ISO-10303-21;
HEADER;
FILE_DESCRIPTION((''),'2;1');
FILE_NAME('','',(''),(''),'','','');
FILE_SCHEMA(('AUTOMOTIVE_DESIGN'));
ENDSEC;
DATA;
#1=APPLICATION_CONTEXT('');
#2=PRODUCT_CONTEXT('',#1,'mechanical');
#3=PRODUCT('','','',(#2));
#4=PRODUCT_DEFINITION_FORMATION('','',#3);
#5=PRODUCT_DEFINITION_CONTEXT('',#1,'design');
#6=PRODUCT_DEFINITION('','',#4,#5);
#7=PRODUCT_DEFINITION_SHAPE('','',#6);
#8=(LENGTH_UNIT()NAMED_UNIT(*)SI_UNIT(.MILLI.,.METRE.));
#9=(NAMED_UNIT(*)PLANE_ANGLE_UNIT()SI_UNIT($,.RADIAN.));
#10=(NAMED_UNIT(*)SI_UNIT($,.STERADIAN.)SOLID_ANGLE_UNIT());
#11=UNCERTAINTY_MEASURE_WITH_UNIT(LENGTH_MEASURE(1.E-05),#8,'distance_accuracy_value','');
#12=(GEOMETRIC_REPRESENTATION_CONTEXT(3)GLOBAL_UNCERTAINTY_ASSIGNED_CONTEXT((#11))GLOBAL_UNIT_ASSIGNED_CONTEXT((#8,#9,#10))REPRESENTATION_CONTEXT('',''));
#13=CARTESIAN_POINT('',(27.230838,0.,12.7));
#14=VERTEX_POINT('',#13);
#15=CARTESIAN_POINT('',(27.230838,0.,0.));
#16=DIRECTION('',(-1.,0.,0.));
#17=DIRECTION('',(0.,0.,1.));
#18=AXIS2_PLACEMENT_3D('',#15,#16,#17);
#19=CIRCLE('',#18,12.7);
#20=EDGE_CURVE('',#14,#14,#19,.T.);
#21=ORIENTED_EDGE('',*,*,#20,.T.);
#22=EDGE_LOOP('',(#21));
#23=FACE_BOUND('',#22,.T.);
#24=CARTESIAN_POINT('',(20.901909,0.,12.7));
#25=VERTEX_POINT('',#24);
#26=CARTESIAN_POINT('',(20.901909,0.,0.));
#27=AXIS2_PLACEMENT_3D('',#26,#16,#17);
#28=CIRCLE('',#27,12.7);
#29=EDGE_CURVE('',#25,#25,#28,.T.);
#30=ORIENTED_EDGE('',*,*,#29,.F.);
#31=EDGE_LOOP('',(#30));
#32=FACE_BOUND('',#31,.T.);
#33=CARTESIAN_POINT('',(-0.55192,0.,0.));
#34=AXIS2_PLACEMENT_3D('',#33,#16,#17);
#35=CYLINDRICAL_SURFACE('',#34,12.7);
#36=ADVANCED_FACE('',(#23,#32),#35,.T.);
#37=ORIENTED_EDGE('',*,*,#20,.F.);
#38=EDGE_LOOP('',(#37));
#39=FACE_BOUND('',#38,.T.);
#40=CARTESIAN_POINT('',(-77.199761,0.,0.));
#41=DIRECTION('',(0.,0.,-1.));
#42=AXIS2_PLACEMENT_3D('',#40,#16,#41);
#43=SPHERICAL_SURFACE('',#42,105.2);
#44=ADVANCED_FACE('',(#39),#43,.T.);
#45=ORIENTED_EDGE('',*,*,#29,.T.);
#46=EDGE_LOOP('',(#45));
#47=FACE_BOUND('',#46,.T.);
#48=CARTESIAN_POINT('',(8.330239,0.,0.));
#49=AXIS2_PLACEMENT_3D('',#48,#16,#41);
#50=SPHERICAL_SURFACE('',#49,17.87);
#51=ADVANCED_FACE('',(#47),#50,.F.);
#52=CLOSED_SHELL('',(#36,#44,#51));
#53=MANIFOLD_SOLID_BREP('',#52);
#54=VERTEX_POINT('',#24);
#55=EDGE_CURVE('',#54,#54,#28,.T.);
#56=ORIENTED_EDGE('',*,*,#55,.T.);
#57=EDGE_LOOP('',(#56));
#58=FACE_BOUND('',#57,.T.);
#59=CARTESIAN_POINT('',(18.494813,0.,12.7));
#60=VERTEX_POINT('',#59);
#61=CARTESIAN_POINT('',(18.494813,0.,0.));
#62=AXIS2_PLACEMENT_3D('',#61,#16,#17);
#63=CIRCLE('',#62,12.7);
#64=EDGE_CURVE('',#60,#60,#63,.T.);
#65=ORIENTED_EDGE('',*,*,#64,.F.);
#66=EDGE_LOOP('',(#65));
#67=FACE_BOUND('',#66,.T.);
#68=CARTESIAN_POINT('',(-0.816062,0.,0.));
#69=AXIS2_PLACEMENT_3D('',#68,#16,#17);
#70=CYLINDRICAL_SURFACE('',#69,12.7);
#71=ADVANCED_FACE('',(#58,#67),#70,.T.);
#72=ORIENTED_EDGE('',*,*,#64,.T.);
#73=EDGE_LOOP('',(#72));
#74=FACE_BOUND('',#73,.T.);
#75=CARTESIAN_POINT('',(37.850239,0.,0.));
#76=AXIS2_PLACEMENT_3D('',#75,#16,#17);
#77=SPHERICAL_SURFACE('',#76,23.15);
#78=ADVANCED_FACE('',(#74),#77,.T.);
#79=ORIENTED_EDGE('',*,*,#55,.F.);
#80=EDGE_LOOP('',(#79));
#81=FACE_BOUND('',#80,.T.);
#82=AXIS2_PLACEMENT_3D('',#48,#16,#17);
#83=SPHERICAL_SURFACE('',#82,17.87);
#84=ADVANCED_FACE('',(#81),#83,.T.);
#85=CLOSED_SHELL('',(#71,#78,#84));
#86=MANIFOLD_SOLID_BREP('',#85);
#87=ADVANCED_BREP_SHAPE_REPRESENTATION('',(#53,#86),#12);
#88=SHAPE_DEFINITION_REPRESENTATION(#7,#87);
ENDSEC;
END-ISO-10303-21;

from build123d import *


with BuildPart() as part:
    # 草图1 one side → 旋转1 (revolve)
    with BuildSketch(Plane(origin=(0, 0, 0), x_dir=(1, 0, 0), z_dir=(0, 1, 0)), mode=Mode.PRIVATE) as revolve_1_sk:
        with BuildLine():
            ThreePointArc((18.49481299, 12.7), (15.669158782, 6.627382494), (14.700238586, 0))
            Line((14.700238586, 0), (26.200238586, 0))
            ThreePointArc((26.200238586, 0), (24.82254971, 6.880448662), (20.901909119, 12.7))
            Line((20.901909119, 12.7), (18.49481299, 12.7))
        make_face()
    revolve(revolve_1_sk.sketch.rotate(Axis((-0.816062176, 0, 0), (1, 0, 0)), 180), axis=Axis((-0.816062176, 0, 0), (1, 0, 0)))  # turned: the seam where the file's is


with BuildPart() as body_2:
    # 草图2 one side → 旋转2 (revolve)
    with BuildSketch(Plane(origin=(0, 0, 0), x_dir=(1, 0, 0), z_dir=(0, 1, 0)), mode=Mode.PRIVATE) as revolve_2_sk:
        with BuildLine():
            Line((27.23083755, 12.7), (20.901909119, 12.7))
            ThreePointArc((20.901909119, 12.7), (24.82254971, 6.880448662), (26.200238586, 0))
            Line((26.200238586, 0), (28.000238586, 0))
            ThreePointArc((28.000238586, 0), (27.807712156, 6.361642436), (27.23083755, 12.7))
        make_face()
    revolve(revolve_2_sk.sketch.rotate(Axis((-0.551919993, 0, 0), (1, 0, 0)), 180), axis=Axis((-0.551919993, 0, 0), (1, 0, 0)))  # turned: the seam where the file's is


solid = Compound([part.part, body_2.part])
